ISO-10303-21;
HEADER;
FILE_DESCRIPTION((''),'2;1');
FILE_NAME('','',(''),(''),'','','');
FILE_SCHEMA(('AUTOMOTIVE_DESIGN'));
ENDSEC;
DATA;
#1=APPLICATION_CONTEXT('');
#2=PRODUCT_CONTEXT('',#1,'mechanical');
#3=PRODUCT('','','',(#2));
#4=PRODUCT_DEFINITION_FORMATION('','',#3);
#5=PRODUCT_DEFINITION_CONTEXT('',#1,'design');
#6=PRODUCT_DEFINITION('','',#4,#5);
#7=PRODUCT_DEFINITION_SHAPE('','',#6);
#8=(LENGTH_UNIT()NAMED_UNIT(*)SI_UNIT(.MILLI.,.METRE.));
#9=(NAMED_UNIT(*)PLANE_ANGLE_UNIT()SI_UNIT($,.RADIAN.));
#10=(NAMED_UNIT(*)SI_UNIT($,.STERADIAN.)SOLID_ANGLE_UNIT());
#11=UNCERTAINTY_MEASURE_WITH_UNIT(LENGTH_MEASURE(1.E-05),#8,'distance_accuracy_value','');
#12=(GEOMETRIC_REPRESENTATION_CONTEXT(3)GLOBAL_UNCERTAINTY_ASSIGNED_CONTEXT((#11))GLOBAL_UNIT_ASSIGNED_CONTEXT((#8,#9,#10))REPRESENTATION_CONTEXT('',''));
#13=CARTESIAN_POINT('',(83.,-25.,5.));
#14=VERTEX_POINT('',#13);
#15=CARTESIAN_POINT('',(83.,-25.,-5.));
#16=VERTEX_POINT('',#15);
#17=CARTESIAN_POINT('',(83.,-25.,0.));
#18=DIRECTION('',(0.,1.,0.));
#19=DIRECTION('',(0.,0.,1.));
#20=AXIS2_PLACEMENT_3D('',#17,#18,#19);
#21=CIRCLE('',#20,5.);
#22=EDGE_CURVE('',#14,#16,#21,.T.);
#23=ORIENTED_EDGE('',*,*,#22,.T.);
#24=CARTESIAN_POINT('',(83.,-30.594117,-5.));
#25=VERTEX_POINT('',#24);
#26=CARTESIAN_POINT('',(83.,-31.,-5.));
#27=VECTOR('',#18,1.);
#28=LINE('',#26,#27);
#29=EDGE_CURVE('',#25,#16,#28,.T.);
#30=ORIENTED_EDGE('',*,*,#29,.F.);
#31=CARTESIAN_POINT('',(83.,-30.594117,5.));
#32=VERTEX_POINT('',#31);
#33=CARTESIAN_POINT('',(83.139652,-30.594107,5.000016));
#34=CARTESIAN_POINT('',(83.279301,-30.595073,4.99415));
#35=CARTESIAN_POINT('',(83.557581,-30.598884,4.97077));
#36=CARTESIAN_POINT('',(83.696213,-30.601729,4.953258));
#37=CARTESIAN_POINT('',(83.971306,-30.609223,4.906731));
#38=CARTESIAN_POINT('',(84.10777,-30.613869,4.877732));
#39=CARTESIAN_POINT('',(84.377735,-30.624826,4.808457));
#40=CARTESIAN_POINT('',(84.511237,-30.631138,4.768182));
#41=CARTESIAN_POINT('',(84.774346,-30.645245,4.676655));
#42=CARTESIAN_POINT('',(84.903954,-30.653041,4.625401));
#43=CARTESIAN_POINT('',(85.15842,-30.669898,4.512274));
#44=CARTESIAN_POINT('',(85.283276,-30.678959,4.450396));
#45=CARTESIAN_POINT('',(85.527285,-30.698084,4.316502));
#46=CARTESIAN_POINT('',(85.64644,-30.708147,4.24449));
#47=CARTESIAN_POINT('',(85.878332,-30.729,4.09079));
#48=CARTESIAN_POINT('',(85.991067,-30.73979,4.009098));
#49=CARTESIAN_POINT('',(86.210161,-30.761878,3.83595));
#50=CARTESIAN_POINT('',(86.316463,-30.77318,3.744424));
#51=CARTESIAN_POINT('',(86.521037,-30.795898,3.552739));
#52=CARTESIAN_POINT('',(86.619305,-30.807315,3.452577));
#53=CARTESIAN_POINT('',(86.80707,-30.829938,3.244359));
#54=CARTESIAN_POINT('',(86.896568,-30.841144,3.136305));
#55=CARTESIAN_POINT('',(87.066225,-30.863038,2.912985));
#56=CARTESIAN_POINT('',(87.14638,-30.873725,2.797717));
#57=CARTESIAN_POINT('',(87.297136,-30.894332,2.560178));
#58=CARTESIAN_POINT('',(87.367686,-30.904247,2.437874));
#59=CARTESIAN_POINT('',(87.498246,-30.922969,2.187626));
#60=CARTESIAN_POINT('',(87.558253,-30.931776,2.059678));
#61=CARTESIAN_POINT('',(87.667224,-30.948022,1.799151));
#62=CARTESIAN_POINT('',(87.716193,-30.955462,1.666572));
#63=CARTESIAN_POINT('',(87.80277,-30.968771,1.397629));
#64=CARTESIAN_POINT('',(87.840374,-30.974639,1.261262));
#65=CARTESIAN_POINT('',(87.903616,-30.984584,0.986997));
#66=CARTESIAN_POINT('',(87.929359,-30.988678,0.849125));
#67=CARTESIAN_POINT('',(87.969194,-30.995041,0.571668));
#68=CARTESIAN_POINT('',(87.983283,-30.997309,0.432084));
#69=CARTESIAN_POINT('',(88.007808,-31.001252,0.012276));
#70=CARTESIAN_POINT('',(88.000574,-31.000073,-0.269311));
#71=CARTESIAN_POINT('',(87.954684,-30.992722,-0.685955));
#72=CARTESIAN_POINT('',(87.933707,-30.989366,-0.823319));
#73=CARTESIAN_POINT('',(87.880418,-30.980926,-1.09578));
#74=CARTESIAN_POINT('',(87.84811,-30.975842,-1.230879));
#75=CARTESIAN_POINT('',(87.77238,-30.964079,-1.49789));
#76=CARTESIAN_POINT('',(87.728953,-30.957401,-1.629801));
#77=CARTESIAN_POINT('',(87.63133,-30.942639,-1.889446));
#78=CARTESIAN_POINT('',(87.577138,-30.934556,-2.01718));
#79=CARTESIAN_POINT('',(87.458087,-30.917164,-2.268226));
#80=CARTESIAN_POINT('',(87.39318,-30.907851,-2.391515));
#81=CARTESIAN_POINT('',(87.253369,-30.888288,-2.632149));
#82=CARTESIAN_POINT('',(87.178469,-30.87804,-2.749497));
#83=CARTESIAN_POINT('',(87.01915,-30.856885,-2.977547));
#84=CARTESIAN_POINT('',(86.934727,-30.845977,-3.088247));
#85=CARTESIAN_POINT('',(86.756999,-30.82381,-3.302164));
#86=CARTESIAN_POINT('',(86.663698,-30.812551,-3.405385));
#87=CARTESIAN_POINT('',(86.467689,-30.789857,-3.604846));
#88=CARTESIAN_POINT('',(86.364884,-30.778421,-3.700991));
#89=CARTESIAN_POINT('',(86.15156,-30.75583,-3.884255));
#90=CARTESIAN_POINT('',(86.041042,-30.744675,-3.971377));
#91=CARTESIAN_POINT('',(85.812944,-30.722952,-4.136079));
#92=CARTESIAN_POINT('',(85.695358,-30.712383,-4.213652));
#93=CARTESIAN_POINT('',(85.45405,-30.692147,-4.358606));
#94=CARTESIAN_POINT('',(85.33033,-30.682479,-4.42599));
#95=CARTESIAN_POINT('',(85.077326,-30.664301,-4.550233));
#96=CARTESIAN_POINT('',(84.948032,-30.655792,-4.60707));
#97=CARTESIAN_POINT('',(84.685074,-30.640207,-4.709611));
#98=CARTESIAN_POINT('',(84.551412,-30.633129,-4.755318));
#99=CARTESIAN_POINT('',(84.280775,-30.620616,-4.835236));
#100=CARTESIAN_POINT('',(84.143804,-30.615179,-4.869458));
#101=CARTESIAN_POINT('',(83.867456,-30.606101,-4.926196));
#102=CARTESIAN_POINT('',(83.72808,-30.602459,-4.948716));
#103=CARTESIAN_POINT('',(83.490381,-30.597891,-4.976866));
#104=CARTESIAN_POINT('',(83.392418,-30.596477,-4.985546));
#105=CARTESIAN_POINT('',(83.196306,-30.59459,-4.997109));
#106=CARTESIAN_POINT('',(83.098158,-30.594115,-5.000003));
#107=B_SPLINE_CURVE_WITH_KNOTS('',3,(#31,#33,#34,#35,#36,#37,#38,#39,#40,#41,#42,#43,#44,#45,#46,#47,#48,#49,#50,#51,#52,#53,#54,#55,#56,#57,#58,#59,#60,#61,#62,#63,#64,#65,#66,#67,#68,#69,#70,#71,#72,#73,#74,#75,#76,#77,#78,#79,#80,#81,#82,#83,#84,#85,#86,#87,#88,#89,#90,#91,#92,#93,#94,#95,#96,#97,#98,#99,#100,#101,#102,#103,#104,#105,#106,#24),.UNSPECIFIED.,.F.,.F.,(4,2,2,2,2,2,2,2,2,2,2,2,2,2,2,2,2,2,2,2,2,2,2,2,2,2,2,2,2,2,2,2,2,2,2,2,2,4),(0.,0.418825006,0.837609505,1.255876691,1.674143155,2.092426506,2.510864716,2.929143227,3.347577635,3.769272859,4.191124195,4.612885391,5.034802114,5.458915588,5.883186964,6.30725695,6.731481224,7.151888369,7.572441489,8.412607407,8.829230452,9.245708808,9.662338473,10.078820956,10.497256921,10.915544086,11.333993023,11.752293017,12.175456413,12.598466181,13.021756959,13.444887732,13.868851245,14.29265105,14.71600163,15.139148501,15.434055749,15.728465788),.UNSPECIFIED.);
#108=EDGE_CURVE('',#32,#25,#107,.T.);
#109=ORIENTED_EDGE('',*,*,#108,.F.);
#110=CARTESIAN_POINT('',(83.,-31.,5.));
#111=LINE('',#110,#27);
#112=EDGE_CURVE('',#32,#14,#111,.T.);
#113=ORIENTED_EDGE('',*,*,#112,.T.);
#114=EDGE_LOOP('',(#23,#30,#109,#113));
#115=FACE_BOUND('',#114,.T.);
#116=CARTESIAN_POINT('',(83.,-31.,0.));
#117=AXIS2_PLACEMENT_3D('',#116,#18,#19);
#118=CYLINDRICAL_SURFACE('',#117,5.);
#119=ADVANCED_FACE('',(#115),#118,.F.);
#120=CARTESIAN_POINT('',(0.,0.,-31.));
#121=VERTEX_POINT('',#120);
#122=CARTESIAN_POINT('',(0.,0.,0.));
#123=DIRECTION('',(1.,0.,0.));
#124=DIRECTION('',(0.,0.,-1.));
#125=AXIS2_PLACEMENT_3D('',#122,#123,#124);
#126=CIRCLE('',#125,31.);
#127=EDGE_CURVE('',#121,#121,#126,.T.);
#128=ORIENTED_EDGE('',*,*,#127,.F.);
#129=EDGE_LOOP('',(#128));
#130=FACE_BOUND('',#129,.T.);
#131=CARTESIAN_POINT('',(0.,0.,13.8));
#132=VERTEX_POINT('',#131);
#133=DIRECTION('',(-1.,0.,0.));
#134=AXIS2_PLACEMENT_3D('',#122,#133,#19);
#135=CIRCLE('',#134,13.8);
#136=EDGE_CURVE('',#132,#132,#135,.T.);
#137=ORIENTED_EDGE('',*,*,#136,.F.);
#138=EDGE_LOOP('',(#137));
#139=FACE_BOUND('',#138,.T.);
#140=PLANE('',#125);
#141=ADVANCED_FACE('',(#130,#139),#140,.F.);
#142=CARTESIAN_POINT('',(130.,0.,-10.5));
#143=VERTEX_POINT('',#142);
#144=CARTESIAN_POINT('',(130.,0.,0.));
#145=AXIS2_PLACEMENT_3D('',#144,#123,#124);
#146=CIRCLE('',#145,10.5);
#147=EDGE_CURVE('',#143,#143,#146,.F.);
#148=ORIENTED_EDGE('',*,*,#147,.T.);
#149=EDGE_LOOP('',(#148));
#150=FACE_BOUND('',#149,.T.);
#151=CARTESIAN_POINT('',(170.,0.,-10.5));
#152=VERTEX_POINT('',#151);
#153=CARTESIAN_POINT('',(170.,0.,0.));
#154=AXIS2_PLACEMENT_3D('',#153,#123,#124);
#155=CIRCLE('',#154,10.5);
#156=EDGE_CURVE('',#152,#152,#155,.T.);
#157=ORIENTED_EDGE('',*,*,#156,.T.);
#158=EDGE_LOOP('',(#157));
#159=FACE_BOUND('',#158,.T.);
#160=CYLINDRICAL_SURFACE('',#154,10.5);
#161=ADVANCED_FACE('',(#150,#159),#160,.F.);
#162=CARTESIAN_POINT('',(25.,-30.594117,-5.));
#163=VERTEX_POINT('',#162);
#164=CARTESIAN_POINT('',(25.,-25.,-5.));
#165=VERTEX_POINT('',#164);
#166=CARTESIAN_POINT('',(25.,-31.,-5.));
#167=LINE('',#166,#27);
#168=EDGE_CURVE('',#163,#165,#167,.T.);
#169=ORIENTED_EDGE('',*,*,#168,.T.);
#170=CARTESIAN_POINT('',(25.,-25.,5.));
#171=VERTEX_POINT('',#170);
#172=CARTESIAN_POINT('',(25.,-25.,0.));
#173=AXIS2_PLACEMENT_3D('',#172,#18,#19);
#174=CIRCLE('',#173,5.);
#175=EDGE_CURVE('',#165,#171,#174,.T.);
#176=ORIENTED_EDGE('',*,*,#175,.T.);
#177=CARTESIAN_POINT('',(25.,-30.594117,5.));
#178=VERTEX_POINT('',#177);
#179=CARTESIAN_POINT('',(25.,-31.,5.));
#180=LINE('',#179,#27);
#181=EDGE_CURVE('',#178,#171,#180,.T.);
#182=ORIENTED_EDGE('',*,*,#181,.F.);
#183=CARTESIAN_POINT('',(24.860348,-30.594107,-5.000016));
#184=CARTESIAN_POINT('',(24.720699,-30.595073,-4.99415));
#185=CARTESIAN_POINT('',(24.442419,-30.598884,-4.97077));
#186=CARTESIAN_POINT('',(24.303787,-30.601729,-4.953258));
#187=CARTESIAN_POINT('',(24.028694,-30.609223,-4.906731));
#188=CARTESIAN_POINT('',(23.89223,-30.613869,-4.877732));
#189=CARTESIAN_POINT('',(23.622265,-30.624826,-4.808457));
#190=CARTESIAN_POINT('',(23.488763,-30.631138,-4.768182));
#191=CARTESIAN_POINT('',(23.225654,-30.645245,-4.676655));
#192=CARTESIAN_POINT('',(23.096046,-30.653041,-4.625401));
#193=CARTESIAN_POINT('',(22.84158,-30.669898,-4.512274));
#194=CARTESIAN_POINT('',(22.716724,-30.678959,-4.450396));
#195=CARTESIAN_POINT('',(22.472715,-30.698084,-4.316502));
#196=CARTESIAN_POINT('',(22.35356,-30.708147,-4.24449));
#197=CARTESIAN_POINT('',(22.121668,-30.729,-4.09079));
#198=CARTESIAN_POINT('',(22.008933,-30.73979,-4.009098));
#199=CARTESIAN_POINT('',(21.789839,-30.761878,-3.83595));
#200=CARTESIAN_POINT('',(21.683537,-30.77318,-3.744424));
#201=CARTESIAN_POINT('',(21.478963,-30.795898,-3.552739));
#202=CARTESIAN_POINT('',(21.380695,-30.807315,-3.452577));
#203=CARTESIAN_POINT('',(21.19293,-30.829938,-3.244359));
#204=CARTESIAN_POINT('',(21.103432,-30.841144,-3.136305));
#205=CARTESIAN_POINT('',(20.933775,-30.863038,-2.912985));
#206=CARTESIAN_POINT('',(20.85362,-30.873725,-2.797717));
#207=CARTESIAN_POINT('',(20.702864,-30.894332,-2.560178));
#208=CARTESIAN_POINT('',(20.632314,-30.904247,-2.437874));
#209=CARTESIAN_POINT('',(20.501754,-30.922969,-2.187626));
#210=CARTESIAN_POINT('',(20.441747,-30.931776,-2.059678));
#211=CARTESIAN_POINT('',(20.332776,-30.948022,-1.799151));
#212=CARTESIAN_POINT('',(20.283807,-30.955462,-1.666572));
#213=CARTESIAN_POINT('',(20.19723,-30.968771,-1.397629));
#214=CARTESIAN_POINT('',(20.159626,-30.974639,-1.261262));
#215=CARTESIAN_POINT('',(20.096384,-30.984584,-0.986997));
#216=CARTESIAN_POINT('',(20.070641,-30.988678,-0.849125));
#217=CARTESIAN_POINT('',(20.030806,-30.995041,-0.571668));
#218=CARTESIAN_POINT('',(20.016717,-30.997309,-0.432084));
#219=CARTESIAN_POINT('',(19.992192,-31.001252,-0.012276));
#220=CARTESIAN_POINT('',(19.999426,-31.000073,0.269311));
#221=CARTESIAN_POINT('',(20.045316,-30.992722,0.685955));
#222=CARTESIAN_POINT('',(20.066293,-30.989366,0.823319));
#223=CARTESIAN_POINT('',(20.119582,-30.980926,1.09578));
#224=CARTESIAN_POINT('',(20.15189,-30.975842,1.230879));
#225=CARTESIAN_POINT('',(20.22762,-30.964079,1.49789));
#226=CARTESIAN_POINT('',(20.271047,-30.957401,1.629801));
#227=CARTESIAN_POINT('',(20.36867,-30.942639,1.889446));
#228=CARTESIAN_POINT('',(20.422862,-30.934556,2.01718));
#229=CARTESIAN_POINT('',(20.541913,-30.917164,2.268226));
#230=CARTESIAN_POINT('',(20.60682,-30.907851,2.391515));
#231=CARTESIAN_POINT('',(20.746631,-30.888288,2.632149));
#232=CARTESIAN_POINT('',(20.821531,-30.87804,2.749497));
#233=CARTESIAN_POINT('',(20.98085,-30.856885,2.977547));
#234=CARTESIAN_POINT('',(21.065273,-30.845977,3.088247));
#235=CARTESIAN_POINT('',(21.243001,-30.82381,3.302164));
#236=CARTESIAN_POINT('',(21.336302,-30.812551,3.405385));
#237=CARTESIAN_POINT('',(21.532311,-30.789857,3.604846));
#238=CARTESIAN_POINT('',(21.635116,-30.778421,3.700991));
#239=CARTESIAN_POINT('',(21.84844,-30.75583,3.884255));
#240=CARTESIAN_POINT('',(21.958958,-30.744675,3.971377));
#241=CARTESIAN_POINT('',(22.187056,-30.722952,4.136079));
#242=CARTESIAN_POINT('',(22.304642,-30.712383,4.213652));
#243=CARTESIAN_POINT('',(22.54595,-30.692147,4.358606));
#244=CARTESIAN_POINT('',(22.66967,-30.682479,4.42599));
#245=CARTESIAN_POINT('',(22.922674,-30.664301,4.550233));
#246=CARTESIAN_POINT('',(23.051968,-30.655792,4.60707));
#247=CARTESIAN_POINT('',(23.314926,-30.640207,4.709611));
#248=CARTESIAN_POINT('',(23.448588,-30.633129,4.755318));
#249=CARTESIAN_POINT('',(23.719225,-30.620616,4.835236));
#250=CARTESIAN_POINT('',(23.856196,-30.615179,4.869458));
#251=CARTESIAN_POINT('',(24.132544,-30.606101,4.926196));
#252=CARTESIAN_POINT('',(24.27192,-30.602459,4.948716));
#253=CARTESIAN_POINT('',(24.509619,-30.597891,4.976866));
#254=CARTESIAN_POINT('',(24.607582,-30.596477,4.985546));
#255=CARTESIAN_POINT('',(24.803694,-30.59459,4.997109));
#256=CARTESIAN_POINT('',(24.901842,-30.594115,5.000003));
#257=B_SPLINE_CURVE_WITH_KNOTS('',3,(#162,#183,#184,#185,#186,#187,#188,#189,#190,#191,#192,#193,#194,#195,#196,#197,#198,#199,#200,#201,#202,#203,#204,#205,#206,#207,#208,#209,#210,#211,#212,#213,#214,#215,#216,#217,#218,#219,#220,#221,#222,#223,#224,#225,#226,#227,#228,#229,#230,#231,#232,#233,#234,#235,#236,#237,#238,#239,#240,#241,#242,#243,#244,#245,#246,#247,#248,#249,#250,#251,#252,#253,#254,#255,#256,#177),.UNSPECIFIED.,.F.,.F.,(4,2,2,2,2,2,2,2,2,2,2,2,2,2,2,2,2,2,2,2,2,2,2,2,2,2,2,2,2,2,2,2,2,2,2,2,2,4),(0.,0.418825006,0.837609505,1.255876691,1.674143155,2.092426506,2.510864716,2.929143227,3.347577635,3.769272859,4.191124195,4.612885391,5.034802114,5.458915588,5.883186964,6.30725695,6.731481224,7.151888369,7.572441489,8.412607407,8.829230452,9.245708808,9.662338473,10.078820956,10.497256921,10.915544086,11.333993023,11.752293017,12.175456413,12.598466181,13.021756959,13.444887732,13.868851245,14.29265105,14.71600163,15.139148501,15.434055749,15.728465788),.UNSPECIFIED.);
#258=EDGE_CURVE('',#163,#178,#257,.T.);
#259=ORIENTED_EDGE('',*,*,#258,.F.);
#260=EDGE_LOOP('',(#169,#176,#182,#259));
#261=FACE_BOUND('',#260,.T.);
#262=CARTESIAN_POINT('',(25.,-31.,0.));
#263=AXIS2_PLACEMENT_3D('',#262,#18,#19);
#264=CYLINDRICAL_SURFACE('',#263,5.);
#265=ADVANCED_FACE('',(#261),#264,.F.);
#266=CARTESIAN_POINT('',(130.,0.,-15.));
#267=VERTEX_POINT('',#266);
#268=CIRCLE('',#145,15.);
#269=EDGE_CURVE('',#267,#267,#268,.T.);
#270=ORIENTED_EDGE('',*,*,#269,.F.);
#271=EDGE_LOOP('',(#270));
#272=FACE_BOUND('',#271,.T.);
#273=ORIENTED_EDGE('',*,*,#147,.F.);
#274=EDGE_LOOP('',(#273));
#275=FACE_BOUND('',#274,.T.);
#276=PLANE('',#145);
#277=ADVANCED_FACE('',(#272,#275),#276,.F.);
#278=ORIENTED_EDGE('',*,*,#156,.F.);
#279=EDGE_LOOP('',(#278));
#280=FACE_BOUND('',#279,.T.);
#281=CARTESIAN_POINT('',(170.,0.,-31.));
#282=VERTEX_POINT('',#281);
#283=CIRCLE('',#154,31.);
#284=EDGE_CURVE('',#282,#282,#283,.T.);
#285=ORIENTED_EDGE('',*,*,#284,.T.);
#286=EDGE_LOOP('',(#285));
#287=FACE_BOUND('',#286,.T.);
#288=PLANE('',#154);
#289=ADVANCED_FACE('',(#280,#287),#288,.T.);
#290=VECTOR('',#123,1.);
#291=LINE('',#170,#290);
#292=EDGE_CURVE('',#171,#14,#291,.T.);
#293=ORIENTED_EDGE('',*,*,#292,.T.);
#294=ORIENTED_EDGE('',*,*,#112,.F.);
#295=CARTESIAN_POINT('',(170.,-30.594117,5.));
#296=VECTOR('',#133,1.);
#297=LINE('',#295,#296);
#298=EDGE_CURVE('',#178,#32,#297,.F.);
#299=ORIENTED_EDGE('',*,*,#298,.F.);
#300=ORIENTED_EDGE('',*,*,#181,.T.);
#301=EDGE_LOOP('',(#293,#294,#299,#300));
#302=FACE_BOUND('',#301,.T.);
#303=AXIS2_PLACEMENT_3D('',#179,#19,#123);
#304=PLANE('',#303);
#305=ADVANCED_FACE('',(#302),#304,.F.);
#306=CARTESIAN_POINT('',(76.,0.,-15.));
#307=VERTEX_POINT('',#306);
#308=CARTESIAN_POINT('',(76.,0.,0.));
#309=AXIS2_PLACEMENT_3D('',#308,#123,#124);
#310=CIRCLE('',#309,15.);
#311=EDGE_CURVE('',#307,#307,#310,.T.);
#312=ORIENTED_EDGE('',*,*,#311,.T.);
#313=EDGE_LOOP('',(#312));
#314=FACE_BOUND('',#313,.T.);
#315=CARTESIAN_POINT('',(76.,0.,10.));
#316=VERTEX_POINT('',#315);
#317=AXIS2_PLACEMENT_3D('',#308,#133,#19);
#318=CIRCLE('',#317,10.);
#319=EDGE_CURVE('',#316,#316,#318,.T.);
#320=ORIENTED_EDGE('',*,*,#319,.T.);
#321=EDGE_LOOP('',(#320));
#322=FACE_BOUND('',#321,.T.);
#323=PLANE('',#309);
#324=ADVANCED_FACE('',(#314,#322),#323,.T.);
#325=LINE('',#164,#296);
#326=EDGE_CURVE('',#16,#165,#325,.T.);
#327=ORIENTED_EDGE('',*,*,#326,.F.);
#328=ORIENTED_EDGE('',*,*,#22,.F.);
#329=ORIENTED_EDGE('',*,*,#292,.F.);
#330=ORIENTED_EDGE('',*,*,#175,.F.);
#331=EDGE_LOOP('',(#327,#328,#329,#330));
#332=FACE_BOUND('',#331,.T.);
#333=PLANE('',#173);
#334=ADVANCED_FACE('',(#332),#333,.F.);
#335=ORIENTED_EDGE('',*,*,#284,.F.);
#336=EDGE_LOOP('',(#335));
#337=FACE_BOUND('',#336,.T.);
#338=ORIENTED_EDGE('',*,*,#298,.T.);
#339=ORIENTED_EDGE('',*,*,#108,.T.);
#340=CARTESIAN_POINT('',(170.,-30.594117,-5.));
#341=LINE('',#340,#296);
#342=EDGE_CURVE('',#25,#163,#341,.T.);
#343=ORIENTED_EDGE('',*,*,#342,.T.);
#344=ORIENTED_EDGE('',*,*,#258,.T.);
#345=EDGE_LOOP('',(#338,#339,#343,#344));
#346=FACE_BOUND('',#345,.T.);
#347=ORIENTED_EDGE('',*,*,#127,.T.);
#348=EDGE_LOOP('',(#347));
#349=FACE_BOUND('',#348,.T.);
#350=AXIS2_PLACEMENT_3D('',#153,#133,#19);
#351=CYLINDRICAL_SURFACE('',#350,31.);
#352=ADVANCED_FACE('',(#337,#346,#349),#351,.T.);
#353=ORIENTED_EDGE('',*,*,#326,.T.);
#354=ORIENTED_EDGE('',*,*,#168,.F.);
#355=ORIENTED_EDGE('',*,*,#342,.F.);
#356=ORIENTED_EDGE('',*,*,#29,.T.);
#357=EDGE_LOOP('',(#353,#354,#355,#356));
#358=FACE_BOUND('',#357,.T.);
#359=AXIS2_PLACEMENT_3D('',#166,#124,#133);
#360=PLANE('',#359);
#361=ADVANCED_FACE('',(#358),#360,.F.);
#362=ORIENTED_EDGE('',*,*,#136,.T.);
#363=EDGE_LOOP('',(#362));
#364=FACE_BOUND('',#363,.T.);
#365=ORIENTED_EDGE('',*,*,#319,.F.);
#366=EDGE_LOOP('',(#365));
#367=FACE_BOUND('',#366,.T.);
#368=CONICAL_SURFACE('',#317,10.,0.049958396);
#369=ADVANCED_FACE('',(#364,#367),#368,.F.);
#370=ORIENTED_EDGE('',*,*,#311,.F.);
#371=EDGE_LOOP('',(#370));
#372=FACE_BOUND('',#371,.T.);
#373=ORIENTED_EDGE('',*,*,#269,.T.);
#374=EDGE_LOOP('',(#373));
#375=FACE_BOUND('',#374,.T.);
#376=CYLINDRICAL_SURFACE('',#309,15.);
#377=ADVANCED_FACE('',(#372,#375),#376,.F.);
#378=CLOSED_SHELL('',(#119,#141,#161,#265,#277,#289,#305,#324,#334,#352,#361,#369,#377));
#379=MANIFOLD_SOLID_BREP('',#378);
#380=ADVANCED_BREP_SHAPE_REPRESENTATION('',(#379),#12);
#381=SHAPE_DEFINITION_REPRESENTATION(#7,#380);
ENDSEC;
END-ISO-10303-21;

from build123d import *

# Parameters (mm, degrees)
SKETCH_2_R              = 31
EXTRUDE_1_DEPTH         = 170
HOLE_WIZARD_M24_1_D     = 21
HOLE_WIZARD_M24_1_DEPTH = 40
HOLE_WIZARD_M24_1_TIP   = 6.3090365
CUT_EXTRUDE_START       = -40
SKETCH_6_R              = 15
CUT_EXTRUDE_1_DEPTH     = 54
CUT_EXTRUDE_START_2     = -25
CUT_EXTRUDE_2_DEPTH     = 151.561954876


with BuildPart() as part:
    # 草图2 → 凸台-拉伸1 (new body)
    with BuildSketch(Plane(origin=(0, 0, 0), x_dir=(0, 0, -1), z_dir=(1, 0, 0))):
        Circle(SKETCH_2_R)
    extrude(amount=EXTRUDE_1_DEPTH)

    # M24 螺纹孔1
    with Locations(Plane(origin=(170, 0, 0), x_dir=(0, 0, -1), z_dir=(1, 0, 0))):
        with Locations((0, 0)):
            Hole(HOLE_WIZARD_M24_1_D / 2, depth=HOLE_WIZARD_M24_1_DEPTH)
            with Locations((0, 0, -(HOLE_WIZARD_M24_1_DEPTH + HOLE_WIZARD_M24_1_TIP / 2))):  # 118° drill point
                Cone(0, HOLE_WIZARD_M24_1_D / 2, HOLE_WIZARD_M24_1_TIP, mode=Mode.SUBTRACT)

    # 草图6 → 切除-拉伸1 (cut)
    with BuildSketch(Plane(origin=(170, 0, 0), x_dir=(0, 0, -1), z_dir=(1, 0, 0)).offset(CUT_EXTRUDE_START)):
        Circle(SKETCH_6_R)
    extrude(amount=-CUT_EXTRUDE_1_DEPTH, mode=Mode.SUBTRACT)

    # 草图7 → 切除-旋转1 (revolve, cut)
    with BuildSketch(Plane.XY, mode=Mode.PRIVATE) as cut_revolve_1_sk:
        Polygon((0, 0), (76, 0), (76, 10), (0, 13.8), align=None)
    revolve(cut_revolve_1_sk.sketch.rotate(Axis((76, 0, 0), (1, 0, 0)), 270), axis=Axis((76, 0, 0), (1, 0, 0)), mode=Mode.SUBTRACT)

    # 草图8 → 切除-拉伸2 (cut, through all)
    with BuildSketch(Plane(origin=(0, 0, 0), x_dir=(1, 0, 0), z_dir=(0, 1, 0)).offset(CUT_EXTRUDE_START_2)):
        with BuildLine():
            Line((25, 5), (83, 5))
            ThreePointArc((83, 5), (88, 0), (83, -5))
            Line((83, -5), (25, -5))
            ThreePointArc((25, -5), (20, 0), (25, 5))
        make_face()
    extrude(amount=-CUT_EXTRUDE_2_DEPTH, mode=Mode.SUBTRACT)


solid = part.part
